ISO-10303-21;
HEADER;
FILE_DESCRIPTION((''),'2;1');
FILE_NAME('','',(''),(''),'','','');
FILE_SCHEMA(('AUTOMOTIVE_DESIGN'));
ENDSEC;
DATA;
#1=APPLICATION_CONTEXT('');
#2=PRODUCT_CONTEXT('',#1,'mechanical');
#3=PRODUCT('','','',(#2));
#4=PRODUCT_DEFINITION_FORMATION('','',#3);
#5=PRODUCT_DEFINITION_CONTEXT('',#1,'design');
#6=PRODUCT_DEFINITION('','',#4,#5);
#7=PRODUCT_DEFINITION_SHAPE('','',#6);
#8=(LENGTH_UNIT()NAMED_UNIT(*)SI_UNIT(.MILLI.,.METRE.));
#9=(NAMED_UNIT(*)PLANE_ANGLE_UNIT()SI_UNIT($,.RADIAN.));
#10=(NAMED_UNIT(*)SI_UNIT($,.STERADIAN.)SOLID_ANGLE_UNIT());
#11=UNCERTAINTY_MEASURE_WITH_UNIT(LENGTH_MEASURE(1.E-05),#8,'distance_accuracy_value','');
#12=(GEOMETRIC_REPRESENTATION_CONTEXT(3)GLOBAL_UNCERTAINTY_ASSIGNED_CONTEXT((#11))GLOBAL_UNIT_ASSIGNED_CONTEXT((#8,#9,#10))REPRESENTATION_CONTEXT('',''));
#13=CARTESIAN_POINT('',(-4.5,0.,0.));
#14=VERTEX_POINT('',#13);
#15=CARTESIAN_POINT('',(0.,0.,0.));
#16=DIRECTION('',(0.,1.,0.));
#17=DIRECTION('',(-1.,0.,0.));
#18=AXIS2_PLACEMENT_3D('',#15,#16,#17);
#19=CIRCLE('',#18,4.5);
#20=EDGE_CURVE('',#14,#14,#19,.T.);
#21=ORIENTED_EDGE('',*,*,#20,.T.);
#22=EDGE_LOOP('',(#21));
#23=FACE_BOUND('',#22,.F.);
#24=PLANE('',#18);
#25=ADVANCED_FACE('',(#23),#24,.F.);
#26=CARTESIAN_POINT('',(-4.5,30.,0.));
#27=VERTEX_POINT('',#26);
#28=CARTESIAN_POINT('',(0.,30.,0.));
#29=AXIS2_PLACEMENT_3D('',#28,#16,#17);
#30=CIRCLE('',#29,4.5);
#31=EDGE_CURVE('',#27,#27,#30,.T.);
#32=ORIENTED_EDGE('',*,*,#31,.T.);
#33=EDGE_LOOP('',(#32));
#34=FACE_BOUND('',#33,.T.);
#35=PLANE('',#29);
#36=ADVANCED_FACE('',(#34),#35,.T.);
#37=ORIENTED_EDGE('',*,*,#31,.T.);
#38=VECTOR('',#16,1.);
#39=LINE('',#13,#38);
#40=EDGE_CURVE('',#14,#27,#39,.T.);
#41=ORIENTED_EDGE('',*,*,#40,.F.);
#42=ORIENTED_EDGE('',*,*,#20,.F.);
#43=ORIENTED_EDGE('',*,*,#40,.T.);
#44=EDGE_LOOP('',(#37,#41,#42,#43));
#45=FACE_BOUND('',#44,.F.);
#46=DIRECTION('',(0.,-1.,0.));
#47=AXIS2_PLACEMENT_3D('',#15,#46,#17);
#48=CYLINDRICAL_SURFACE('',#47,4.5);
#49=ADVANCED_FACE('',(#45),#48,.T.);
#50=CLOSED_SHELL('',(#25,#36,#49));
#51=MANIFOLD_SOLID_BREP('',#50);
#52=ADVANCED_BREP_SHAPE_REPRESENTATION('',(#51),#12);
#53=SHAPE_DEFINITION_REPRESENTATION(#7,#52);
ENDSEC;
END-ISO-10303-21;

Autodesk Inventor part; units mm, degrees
ref_plane "YZ Plane" through (0, 0, 0) normal (1, 0, 0) x (0, 1, 0)
ref_plane "XZ Plane" through (0, 0, 0) normal (0, 1, 0) x (-1, 0, 0)
ref_plane "XY Plane" through (0, 0, 0) normal (0, 0, 1) x (1, 0, 0)
sketch "Skizze1" plane through (0, 0, 0) normal (0, 1, 0) x (-1, 0, 0)
  circle A0 centre (0, 0) radius 4.5
  dimension "d0" = 9
extrude "Extrusion1" add sketch "Skizze1" along normal blind 30
properties part number "bolt_9"
